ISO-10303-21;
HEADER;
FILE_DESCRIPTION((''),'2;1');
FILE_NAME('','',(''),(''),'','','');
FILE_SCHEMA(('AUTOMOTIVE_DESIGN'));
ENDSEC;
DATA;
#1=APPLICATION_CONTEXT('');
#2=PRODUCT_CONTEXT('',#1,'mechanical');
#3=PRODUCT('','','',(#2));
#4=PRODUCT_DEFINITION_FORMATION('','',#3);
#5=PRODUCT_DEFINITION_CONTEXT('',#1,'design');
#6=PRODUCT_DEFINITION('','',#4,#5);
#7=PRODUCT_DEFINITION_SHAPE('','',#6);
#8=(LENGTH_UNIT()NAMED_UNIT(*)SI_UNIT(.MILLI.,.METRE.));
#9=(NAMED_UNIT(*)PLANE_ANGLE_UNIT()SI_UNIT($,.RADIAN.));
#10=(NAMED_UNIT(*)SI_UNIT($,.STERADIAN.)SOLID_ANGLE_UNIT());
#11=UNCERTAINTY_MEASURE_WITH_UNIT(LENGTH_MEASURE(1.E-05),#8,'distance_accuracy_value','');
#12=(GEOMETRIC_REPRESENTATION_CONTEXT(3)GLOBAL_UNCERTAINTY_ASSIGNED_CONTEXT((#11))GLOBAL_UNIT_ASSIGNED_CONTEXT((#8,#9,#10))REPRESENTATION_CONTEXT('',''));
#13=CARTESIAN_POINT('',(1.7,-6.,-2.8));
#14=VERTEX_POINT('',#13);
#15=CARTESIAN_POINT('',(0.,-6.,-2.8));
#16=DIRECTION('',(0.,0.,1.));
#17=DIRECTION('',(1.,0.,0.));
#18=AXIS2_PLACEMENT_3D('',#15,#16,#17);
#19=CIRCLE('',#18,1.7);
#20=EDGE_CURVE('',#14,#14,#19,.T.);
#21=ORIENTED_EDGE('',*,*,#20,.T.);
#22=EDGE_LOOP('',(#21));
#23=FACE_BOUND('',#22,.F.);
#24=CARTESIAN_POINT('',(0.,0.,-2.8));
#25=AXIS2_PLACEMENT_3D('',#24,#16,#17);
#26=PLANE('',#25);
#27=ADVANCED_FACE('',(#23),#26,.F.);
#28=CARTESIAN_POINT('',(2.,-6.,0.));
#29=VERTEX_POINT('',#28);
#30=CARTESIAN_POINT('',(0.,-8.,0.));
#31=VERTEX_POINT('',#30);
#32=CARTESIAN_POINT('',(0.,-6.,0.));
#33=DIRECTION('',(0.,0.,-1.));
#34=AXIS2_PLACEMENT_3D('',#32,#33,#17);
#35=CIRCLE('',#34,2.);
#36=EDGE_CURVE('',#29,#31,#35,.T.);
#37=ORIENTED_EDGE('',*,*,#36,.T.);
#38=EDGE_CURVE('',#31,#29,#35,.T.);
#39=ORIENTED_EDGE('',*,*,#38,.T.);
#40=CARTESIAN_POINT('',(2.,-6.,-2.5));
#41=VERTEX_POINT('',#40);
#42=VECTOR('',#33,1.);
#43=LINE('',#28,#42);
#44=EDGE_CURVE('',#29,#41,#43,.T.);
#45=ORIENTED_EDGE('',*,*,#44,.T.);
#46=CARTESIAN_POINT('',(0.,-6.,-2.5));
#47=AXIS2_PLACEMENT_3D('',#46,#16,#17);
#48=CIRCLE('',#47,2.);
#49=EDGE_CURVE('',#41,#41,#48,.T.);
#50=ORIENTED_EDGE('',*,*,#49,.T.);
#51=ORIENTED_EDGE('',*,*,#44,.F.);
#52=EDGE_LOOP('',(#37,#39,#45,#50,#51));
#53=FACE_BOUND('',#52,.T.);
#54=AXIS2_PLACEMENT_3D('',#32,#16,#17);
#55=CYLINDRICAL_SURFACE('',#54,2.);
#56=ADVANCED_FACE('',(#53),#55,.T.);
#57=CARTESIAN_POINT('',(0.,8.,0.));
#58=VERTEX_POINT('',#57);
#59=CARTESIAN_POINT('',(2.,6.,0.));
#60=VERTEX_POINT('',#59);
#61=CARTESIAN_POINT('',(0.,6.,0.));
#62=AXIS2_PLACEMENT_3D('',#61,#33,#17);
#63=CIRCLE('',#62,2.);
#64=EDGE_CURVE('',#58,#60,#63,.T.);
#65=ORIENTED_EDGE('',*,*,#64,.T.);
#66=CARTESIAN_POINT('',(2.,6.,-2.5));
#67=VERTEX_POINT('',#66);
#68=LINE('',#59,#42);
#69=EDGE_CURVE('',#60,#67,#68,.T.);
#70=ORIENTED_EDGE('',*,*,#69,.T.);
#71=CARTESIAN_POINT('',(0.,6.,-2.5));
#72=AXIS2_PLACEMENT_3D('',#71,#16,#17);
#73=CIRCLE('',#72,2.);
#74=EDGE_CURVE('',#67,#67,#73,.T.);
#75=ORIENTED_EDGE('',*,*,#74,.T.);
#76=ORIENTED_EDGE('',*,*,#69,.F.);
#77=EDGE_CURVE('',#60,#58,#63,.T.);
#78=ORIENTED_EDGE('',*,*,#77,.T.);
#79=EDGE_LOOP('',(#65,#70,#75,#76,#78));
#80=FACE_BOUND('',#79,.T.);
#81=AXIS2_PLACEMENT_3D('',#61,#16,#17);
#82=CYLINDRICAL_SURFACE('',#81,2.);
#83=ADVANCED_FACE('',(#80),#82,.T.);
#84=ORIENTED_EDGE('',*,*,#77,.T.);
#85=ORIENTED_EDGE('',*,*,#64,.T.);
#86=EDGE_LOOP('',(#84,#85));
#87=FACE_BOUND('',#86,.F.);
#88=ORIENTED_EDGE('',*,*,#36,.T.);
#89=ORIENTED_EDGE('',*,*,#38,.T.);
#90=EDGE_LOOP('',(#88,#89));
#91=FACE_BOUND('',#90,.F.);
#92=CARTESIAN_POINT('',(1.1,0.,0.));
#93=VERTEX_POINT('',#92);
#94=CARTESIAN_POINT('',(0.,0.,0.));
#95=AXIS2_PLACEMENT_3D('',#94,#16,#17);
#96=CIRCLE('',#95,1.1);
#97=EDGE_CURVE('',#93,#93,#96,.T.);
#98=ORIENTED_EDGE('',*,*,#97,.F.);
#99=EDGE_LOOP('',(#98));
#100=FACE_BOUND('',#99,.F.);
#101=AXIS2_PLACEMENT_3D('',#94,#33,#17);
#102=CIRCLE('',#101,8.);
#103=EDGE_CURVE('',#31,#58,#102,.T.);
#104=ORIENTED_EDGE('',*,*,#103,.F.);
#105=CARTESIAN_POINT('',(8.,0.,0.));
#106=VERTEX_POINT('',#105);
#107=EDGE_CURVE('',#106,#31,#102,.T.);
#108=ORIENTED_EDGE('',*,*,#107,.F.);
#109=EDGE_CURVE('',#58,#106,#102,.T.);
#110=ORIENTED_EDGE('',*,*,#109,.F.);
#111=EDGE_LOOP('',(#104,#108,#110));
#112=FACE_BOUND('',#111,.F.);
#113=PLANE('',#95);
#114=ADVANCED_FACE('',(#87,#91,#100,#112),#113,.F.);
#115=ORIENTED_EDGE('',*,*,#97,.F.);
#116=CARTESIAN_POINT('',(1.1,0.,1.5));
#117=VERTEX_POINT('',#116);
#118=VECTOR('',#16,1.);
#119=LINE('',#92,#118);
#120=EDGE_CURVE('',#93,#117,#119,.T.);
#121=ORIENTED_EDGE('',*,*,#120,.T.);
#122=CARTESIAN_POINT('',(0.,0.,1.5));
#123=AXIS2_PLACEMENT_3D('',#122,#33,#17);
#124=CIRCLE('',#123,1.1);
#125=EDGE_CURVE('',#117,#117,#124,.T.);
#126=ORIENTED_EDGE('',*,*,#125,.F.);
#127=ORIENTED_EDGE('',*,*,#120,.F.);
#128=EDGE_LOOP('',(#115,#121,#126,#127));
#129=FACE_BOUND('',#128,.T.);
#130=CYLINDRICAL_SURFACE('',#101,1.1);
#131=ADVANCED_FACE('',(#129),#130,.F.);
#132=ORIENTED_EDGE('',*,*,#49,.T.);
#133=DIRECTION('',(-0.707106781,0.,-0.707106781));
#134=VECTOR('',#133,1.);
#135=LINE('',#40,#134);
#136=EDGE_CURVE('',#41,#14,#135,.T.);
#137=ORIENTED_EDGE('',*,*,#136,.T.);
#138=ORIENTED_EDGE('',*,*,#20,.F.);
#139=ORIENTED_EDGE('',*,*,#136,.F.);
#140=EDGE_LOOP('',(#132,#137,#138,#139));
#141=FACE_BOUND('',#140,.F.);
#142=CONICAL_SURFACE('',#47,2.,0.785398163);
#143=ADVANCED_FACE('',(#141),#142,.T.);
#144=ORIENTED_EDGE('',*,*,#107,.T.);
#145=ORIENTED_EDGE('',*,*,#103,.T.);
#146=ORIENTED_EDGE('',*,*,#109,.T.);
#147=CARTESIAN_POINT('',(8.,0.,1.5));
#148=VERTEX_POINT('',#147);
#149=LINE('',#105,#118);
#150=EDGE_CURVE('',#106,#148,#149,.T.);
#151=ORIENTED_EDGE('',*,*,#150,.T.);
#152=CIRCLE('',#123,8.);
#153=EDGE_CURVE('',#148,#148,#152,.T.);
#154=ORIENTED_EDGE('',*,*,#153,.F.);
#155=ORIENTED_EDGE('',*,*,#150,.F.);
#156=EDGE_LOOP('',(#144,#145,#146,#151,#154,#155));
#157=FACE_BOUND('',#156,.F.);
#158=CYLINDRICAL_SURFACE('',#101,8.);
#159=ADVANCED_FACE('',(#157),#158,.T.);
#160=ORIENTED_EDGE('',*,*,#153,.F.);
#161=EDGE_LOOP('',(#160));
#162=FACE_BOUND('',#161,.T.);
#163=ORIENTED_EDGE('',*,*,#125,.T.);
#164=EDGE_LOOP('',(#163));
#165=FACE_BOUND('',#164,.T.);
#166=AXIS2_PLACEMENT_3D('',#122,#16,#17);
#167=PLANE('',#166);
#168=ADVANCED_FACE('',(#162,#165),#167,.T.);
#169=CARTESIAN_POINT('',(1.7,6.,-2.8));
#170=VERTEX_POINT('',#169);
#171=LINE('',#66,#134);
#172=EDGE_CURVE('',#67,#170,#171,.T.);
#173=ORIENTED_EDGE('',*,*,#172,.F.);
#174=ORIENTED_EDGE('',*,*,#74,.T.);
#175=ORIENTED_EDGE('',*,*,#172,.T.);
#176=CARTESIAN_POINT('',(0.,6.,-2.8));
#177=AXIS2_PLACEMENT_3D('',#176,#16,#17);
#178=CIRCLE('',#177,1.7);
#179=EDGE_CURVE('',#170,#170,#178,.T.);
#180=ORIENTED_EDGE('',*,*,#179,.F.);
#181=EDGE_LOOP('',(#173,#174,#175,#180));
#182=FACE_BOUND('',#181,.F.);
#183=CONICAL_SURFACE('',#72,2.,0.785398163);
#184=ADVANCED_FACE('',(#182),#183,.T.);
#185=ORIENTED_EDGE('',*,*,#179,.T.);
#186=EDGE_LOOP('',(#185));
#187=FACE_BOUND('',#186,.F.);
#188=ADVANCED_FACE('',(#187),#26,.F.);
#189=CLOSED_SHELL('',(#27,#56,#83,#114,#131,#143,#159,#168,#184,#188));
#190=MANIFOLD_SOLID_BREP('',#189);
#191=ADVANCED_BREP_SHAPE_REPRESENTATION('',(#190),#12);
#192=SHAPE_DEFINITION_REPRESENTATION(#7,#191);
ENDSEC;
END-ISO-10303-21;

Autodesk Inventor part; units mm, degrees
ref_plane "YZ Plane" through (0, 0, 0) normal (1, 0, 0) x (0, 1, 0)
ref_plane "XZ Plane" through (0, 0, 0) normal (0, 1, 0) x (-1, 0, 0)
ref_plane "XY Plane" through (0, 0, 0) normal (0, 0, 1) x (1, 0, 0)
sketch "スケッチ1" plane through (0, 0, 0) normal (0, 0, 1) x (1, 0, 0)
  circle A0 centre (0, 0) radius 8
  line L0 (-11.2, 0) -> (11.2, 0) construction
  line L1 (0, -11.2) -> (0, 11.2) construction
  circle A1 centre (0, 6) radius 2
  circle A2 centre (0, -6) radius 2
  circle A3 centre (0, 0) radius 1.1
  dimension "d0" = 16
  dimension "d1" = 4
  dimension "d2" = 6
  dimension "d10" = 2.2
extrude "押し出し1" add sketch "スケッチ1" along normal blind 1.5 contours A1 | A2 | A0 | A3
extrude "押し出し2" add sketch "スケッチ1" against normal blind 2.8 contours A1 | A2
chamfer "面取り1" distance 0.3 angle 45 2 edges at (-2, 6, -2.8) (-2, -6, -2.8)
extrude "押し出し3" cut sketch "スケッチ1" along normal blind 10 contours A3
properties part number "adapter_xl320"
